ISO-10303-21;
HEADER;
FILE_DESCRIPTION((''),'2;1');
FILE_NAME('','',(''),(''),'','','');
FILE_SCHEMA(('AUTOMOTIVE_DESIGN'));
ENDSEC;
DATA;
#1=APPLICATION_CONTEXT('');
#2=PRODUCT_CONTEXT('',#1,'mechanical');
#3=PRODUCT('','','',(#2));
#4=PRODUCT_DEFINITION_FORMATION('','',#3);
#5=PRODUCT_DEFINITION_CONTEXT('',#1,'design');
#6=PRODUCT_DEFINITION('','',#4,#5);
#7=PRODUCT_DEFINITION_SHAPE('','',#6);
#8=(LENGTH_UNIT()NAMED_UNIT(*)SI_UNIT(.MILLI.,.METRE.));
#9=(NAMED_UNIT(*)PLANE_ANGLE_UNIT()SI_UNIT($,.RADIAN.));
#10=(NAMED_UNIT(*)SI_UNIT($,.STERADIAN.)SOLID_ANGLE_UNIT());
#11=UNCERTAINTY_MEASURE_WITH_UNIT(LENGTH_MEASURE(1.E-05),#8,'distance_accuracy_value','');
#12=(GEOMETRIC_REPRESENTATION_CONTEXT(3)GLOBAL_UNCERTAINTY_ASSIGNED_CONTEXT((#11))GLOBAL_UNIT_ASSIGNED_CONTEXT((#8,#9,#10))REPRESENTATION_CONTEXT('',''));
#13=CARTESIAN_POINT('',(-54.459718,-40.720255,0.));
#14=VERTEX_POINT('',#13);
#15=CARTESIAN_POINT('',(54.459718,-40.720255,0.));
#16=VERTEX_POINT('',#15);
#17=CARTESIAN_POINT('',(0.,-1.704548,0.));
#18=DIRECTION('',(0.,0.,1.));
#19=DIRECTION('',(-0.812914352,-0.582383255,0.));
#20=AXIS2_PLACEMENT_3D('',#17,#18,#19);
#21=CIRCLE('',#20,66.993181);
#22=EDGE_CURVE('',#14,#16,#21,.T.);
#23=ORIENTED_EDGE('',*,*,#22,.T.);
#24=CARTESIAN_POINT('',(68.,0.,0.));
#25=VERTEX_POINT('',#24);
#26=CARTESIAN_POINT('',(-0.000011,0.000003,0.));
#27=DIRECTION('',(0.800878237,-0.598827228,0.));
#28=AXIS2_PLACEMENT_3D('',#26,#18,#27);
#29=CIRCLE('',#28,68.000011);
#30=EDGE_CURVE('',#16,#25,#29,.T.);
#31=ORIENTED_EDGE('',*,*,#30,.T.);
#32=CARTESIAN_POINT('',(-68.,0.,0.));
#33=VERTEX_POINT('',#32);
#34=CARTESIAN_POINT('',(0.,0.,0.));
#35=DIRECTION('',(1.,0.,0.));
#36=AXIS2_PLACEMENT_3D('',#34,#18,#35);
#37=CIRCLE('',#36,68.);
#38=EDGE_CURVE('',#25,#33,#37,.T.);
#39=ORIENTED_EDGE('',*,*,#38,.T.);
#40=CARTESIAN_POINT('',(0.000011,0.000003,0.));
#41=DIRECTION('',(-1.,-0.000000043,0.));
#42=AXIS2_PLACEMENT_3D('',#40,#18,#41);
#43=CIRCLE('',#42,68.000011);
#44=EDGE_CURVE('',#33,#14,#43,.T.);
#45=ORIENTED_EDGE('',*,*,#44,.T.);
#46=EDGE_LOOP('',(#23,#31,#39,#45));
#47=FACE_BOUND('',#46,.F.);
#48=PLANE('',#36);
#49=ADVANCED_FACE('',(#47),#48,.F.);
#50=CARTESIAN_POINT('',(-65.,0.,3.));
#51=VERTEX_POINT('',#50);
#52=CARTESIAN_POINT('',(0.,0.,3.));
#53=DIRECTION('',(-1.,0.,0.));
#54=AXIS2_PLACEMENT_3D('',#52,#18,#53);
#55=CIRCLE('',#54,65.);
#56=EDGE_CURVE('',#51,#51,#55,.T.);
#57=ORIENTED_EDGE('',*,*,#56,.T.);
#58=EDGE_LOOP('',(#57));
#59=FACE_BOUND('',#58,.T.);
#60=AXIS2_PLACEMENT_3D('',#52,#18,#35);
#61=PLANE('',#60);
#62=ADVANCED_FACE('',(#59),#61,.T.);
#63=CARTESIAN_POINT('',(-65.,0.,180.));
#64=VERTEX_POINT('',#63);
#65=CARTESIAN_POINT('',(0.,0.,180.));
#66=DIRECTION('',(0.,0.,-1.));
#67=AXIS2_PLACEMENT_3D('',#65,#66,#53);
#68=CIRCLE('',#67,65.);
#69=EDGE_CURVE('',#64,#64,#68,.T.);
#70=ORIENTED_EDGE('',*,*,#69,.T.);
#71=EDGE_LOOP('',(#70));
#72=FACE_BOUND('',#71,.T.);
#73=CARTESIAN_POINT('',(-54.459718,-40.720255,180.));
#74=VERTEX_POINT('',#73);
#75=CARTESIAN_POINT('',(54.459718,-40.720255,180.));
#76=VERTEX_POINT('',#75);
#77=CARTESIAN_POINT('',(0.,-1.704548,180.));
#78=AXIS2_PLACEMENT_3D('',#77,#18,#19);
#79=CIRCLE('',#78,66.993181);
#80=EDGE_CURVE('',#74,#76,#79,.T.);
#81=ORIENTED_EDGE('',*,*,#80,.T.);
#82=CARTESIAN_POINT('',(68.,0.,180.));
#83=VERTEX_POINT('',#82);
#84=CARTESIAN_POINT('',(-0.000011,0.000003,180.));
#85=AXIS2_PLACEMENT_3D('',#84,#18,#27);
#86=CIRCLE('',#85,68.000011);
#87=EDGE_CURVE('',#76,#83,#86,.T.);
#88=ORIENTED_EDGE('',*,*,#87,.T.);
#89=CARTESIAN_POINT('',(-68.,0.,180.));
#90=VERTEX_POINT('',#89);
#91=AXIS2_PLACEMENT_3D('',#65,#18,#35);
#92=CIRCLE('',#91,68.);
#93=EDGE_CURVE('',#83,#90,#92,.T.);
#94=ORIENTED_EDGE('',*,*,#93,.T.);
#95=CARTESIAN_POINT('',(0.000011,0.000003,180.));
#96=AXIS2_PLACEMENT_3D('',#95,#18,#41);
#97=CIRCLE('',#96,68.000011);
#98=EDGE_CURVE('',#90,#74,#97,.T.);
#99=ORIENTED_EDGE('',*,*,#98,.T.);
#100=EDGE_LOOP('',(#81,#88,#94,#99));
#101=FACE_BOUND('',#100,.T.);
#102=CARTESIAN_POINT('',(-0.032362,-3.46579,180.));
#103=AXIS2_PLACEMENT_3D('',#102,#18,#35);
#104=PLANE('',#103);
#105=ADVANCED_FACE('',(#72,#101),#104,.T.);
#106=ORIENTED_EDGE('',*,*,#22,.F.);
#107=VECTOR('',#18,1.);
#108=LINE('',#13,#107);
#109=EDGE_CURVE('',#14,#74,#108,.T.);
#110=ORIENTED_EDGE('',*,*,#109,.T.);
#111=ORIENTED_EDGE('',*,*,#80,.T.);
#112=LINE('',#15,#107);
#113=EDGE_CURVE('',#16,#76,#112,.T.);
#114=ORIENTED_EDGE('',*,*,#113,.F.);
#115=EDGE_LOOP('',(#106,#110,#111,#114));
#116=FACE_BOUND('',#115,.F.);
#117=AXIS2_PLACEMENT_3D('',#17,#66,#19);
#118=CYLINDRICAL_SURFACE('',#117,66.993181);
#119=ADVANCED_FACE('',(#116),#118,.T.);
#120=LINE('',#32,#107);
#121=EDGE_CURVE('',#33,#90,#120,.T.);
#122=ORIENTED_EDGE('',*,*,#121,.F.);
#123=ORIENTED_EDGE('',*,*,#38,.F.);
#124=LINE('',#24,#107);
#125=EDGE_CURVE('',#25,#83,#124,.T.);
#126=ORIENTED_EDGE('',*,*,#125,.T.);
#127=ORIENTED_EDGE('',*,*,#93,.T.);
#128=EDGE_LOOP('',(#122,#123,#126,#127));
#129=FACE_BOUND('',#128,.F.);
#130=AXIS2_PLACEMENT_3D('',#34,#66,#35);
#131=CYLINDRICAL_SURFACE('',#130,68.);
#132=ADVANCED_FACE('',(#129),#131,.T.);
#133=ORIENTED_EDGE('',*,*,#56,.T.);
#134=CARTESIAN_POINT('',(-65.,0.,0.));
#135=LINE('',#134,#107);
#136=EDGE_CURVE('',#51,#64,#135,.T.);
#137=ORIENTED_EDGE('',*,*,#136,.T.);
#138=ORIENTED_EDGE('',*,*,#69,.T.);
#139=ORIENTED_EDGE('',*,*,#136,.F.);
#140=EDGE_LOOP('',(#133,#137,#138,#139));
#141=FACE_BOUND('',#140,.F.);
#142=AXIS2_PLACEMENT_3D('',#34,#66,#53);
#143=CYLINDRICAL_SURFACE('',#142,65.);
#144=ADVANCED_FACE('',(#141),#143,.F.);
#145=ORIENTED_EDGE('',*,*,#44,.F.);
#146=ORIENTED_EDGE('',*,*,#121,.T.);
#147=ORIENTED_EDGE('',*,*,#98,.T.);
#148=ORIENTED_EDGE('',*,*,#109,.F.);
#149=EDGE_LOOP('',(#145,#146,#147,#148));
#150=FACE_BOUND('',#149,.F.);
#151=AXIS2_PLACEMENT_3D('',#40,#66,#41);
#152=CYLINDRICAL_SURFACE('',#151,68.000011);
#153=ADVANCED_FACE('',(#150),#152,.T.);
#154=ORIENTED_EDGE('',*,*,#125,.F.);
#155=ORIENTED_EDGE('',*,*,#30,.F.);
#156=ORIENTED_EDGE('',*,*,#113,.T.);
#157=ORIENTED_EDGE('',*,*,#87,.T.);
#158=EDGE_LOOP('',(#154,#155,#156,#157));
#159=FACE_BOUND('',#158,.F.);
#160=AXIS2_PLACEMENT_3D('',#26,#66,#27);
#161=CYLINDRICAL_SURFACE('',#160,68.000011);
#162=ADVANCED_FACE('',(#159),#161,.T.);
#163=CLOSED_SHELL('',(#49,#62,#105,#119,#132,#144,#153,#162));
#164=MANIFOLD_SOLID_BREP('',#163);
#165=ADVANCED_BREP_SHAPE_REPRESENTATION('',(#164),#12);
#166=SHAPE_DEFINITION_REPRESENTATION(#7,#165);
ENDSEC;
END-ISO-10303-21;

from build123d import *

# Parameters (mm, degrees)
F1_DEPTH = 180
F2_DEPTH = 3


with BuildPart() as f1:
    # F0 (on Top) → F1 (new body)
    with BuildSketch(Plane.XY):
        with BuildLine():
            ThreePointArc((-54.459718, -40.720255), (-64.038422, -21.381102), (-66.971492, 0))
            Line((-66.971492, 0), (-68, 0))
            ThreePointArc((-68, 0), (-64.526199, -21.456225), (-54.459718, -40.720255))
        make_face()
        with BuildLine():
            Line((-68, 0), (-66.971492, 0))
            ThreePointArc((-66.971492, 0), (0.852343, 65.28321), (66.99318, -1.704548))
            ThreePointArc((66.99318, -1.704548), (63.782897, -22.194259), (54.459718, -40.720255))
            ThreePointArc((54.459718, -40.720255), (64.526199, -21.456225), (68, 0))
            ThreePointArc((68, 0), (0, 68), (-68, 0))
        make_face()
        with BuildLine():
            ThreePointArc((65, 0), (0, 65), (-65, 0))
            ThreePointArc((-65, 0), (0, -65), (65, 0))
        make_face()
        with BuildLine():
            ThreePointArc((54.459718, -40.720255), (0, -68), (-54.459718, -40.720255))
            ThreePointArc((-54.459718, -40.720255), (0, -68.697729), (54.459718, -40.720255))
        make_face()
        with BuildLine():
            ThreePointArc((66.99318, -1.704548), (0.852343, 65.28321), (-66.971492, 0))
            ThreePointArc((-66.971492, 0), (-64.038422, -21.381102), (-54.459718, -40.720255))
            ThreePointArc((-54.459718, -40.720255), (0, -68), (54.459718, -40.720255))
            ThreePointArc((54.459718, -40.720255), (63.782897, -22.194259), (66.99318, -1.704548))
        make_face()
        with BuildLine():
            ThreePointArc((65, 0), (0, -65), (-65, 0))
            ThreePointArc((-65, 0), (0, 65), (65, 0))
        make_face(mode=Mode.SUBTRACT)
    extrude(amount=F1_DEPTH)

    # F0 (on Top) → F2 (join)
    with BuildSketch(Plane.XY):
        with BuildLine():
            ThreePointArc((65, 0), (0, 65), (-65, 0))
            ThreePointArc((-65, 0), (0, -65), (65, 0))
        make_face()
    extrude(amount=F2_DEPTH)


solid = f1.part
